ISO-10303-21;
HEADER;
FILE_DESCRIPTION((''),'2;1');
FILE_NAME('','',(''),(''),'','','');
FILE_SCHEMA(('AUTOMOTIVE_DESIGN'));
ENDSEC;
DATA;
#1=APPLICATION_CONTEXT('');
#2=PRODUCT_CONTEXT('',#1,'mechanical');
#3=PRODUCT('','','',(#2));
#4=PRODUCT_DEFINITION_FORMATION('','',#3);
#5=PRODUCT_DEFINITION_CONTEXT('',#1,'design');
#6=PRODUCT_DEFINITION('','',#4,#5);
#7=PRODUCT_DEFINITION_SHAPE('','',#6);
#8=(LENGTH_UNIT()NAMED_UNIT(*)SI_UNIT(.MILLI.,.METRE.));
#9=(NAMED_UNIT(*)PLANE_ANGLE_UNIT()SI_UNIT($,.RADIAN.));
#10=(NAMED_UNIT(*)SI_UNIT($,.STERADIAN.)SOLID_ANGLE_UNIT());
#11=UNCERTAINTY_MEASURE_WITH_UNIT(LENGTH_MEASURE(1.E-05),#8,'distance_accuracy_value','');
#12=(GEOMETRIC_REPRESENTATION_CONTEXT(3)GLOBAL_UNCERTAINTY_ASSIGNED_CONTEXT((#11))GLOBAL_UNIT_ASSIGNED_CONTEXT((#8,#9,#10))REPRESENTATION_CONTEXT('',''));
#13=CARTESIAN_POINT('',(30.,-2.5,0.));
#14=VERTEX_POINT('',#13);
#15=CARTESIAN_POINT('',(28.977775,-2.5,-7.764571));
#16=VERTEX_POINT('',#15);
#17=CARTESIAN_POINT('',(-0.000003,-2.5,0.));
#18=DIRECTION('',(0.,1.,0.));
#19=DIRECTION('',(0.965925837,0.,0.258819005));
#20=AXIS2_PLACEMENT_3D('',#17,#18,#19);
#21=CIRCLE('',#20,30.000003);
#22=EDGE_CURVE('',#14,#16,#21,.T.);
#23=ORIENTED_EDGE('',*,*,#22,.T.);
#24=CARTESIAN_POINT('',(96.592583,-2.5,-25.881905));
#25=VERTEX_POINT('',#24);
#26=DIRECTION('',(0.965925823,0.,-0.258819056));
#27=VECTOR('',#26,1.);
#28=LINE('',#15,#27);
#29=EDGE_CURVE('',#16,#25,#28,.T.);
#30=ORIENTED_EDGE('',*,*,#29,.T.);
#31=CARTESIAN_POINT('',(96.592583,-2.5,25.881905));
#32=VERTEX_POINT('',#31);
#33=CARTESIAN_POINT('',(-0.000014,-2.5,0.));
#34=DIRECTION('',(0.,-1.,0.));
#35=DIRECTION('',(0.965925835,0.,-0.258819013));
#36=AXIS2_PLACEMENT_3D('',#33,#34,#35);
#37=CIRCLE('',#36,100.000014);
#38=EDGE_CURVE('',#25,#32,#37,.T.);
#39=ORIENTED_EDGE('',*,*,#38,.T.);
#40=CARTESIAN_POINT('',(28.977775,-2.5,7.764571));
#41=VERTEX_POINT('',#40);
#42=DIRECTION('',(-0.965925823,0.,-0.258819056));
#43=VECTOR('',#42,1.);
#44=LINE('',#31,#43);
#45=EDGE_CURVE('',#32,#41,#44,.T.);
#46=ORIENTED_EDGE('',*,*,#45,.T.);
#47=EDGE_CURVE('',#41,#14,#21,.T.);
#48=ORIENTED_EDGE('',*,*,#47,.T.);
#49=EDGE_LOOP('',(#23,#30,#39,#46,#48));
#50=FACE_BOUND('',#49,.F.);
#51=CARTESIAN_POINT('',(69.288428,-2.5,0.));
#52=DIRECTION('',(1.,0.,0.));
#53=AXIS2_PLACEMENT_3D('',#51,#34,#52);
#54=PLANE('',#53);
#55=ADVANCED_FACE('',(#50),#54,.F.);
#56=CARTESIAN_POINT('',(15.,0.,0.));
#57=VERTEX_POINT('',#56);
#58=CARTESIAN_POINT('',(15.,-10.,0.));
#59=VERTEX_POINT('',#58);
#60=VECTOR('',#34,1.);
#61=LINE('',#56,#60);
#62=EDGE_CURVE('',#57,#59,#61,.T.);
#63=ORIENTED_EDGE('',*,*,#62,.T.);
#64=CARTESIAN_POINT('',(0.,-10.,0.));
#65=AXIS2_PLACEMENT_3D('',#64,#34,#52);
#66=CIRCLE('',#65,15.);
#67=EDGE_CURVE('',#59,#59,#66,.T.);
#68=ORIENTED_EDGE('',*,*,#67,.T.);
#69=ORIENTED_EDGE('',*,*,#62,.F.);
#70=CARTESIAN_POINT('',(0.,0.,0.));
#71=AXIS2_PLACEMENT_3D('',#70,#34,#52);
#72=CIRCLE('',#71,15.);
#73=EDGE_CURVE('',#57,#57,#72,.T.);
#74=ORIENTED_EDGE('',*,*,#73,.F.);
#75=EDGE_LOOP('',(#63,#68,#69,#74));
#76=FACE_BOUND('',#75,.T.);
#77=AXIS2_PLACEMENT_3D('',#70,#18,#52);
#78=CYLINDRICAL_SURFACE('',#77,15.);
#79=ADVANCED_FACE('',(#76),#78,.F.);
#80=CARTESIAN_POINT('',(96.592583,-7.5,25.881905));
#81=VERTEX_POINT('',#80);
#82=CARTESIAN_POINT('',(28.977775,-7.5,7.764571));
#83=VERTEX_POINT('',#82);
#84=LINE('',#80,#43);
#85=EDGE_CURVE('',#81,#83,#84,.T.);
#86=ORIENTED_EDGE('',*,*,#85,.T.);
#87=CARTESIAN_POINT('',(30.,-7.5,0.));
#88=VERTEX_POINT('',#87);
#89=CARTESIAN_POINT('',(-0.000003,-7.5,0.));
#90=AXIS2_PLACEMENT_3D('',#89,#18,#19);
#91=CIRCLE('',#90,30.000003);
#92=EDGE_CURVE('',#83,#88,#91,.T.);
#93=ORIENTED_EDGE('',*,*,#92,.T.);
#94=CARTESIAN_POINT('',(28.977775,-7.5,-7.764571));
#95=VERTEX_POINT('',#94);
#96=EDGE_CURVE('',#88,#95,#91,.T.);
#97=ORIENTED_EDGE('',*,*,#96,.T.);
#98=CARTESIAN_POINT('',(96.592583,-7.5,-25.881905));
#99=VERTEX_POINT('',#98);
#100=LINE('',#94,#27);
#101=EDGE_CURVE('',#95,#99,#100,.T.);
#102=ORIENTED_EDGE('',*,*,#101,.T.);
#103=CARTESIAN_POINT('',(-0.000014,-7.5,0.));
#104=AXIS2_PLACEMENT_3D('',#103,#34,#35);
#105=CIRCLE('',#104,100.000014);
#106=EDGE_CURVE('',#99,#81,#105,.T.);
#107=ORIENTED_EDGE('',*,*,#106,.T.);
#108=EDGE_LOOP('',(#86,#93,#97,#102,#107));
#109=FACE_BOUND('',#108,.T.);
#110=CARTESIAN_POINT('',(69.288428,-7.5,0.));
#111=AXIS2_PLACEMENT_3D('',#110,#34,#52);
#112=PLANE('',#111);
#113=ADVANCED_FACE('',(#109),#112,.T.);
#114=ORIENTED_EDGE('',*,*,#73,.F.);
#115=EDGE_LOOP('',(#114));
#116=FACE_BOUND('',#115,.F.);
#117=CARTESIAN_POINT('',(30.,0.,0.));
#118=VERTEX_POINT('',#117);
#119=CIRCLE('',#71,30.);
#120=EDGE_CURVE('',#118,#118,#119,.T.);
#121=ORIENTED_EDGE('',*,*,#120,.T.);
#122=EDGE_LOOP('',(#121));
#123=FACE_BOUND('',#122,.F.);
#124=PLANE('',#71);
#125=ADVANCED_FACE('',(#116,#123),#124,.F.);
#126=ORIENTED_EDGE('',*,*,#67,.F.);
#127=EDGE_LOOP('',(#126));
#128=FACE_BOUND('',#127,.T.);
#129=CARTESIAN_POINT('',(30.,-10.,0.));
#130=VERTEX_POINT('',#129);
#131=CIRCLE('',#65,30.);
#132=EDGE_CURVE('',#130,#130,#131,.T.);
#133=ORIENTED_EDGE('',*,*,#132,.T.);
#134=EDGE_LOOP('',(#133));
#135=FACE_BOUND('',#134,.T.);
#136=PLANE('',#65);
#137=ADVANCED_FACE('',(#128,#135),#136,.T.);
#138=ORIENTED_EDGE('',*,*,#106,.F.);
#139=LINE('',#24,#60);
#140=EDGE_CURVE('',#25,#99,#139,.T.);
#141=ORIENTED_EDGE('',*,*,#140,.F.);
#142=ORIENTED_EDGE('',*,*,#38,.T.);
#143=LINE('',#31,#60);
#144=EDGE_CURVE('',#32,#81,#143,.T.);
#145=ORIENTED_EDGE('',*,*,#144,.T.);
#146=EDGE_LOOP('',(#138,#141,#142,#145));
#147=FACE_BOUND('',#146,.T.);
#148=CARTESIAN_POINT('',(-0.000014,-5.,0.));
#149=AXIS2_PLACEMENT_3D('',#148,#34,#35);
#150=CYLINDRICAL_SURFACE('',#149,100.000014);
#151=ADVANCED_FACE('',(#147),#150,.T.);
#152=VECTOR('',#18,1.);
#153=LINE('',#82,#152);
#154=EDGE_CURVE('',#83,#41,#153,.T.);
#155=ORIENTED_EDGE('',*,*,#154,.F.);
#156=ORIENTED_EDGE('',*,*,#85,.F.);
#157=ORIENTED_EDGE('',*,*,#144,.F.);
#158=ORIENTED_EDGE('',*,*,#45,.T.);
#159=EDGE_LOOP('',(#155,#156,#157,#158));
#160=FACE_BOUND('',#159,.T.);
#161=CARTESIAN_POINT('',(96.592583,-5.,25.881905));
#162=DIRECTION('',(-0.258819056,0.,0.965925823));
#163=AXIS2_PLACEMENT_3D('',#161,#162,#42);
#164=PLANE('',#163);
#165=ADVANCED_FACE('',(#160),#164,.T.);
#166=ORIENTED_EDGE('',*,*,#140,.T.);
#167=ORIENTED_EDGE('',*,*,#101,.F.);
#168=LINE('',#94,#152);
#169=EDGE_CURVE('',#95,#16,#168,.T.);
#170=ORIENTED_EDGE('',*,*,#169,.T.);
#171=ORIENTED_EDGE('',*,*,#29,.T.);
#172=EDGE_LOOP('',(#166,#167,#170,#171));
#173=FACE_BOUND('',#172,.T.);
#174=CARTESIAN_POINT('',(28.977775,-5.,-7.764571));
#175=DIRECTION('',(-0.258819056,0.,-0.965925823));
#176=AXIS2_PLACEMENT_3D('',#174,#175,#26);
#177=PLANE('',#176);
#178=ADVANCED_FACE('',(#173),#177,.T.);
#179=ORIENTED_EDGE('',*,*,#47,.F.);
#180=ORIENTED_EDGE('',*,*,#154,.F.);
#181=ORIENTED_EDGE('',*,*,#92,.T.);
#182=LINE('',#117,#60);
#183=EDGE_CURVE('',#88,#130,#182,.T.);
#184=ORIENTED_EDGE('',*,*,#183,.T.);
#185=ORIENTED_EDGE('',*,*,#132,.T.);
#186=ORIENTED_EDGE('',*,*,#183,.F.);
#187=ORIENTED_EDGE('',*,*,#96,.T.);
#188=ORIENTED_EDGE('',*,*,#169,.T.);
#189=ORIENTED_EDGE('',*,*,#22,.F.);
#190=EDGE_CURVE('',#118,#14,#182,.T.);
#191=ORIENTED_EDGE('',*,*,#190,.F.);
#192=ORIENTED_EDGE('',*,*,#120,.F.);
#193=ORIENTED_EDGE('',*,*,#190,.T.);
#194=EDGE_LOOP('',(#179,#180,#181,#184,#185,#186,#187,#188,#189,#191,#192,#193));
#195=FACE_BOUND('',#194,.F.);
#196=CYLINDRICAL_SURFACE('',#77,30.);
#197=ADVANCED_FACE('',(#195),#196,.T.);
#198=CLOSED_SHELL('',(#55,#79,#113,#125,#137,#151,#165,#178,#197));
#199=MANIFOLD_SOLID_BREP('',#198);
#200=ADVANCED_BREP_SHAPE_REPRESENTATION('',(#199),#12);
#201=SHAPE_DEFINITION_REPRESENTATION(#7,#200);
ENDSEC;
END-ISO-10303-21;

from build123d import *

# Parameters (mm, degrees)
F0_R     = 30
F0_R_2   = 15
F1_DEPTH = 10
F4_DEPTH = 2.5


with BuildPart() as f1:
    # F0 (on Front) → F1 (new body)
    with BuildSketch(Plane.XZ):
        Circle(F0_R)
        Circle(F0_R_2, mode=Mode.SUBTRACT)
    extrude(amount=F1_DEPTH)

    # F3 (on offset) → F4 (join, symmetric)
    with BuildSketch(Plane.XZ.offset(5)):
        with BuildLine():
            Line((28.977775, -7.764571), (96.592583, -25.881905))
            ThreePointArc((96.592583, -25.881905), (100, 0), (96.592583, 25.881905))
            Line((96.592583, 25.881905), (28.977775, 7.764571))
            ThreePointArc((28.977775, 7.764571), (30, 0), (28.977775, -7.764571))
        make_face()
    extrude(amount=F4_DEPTH, both=True)


solid = f1.part
